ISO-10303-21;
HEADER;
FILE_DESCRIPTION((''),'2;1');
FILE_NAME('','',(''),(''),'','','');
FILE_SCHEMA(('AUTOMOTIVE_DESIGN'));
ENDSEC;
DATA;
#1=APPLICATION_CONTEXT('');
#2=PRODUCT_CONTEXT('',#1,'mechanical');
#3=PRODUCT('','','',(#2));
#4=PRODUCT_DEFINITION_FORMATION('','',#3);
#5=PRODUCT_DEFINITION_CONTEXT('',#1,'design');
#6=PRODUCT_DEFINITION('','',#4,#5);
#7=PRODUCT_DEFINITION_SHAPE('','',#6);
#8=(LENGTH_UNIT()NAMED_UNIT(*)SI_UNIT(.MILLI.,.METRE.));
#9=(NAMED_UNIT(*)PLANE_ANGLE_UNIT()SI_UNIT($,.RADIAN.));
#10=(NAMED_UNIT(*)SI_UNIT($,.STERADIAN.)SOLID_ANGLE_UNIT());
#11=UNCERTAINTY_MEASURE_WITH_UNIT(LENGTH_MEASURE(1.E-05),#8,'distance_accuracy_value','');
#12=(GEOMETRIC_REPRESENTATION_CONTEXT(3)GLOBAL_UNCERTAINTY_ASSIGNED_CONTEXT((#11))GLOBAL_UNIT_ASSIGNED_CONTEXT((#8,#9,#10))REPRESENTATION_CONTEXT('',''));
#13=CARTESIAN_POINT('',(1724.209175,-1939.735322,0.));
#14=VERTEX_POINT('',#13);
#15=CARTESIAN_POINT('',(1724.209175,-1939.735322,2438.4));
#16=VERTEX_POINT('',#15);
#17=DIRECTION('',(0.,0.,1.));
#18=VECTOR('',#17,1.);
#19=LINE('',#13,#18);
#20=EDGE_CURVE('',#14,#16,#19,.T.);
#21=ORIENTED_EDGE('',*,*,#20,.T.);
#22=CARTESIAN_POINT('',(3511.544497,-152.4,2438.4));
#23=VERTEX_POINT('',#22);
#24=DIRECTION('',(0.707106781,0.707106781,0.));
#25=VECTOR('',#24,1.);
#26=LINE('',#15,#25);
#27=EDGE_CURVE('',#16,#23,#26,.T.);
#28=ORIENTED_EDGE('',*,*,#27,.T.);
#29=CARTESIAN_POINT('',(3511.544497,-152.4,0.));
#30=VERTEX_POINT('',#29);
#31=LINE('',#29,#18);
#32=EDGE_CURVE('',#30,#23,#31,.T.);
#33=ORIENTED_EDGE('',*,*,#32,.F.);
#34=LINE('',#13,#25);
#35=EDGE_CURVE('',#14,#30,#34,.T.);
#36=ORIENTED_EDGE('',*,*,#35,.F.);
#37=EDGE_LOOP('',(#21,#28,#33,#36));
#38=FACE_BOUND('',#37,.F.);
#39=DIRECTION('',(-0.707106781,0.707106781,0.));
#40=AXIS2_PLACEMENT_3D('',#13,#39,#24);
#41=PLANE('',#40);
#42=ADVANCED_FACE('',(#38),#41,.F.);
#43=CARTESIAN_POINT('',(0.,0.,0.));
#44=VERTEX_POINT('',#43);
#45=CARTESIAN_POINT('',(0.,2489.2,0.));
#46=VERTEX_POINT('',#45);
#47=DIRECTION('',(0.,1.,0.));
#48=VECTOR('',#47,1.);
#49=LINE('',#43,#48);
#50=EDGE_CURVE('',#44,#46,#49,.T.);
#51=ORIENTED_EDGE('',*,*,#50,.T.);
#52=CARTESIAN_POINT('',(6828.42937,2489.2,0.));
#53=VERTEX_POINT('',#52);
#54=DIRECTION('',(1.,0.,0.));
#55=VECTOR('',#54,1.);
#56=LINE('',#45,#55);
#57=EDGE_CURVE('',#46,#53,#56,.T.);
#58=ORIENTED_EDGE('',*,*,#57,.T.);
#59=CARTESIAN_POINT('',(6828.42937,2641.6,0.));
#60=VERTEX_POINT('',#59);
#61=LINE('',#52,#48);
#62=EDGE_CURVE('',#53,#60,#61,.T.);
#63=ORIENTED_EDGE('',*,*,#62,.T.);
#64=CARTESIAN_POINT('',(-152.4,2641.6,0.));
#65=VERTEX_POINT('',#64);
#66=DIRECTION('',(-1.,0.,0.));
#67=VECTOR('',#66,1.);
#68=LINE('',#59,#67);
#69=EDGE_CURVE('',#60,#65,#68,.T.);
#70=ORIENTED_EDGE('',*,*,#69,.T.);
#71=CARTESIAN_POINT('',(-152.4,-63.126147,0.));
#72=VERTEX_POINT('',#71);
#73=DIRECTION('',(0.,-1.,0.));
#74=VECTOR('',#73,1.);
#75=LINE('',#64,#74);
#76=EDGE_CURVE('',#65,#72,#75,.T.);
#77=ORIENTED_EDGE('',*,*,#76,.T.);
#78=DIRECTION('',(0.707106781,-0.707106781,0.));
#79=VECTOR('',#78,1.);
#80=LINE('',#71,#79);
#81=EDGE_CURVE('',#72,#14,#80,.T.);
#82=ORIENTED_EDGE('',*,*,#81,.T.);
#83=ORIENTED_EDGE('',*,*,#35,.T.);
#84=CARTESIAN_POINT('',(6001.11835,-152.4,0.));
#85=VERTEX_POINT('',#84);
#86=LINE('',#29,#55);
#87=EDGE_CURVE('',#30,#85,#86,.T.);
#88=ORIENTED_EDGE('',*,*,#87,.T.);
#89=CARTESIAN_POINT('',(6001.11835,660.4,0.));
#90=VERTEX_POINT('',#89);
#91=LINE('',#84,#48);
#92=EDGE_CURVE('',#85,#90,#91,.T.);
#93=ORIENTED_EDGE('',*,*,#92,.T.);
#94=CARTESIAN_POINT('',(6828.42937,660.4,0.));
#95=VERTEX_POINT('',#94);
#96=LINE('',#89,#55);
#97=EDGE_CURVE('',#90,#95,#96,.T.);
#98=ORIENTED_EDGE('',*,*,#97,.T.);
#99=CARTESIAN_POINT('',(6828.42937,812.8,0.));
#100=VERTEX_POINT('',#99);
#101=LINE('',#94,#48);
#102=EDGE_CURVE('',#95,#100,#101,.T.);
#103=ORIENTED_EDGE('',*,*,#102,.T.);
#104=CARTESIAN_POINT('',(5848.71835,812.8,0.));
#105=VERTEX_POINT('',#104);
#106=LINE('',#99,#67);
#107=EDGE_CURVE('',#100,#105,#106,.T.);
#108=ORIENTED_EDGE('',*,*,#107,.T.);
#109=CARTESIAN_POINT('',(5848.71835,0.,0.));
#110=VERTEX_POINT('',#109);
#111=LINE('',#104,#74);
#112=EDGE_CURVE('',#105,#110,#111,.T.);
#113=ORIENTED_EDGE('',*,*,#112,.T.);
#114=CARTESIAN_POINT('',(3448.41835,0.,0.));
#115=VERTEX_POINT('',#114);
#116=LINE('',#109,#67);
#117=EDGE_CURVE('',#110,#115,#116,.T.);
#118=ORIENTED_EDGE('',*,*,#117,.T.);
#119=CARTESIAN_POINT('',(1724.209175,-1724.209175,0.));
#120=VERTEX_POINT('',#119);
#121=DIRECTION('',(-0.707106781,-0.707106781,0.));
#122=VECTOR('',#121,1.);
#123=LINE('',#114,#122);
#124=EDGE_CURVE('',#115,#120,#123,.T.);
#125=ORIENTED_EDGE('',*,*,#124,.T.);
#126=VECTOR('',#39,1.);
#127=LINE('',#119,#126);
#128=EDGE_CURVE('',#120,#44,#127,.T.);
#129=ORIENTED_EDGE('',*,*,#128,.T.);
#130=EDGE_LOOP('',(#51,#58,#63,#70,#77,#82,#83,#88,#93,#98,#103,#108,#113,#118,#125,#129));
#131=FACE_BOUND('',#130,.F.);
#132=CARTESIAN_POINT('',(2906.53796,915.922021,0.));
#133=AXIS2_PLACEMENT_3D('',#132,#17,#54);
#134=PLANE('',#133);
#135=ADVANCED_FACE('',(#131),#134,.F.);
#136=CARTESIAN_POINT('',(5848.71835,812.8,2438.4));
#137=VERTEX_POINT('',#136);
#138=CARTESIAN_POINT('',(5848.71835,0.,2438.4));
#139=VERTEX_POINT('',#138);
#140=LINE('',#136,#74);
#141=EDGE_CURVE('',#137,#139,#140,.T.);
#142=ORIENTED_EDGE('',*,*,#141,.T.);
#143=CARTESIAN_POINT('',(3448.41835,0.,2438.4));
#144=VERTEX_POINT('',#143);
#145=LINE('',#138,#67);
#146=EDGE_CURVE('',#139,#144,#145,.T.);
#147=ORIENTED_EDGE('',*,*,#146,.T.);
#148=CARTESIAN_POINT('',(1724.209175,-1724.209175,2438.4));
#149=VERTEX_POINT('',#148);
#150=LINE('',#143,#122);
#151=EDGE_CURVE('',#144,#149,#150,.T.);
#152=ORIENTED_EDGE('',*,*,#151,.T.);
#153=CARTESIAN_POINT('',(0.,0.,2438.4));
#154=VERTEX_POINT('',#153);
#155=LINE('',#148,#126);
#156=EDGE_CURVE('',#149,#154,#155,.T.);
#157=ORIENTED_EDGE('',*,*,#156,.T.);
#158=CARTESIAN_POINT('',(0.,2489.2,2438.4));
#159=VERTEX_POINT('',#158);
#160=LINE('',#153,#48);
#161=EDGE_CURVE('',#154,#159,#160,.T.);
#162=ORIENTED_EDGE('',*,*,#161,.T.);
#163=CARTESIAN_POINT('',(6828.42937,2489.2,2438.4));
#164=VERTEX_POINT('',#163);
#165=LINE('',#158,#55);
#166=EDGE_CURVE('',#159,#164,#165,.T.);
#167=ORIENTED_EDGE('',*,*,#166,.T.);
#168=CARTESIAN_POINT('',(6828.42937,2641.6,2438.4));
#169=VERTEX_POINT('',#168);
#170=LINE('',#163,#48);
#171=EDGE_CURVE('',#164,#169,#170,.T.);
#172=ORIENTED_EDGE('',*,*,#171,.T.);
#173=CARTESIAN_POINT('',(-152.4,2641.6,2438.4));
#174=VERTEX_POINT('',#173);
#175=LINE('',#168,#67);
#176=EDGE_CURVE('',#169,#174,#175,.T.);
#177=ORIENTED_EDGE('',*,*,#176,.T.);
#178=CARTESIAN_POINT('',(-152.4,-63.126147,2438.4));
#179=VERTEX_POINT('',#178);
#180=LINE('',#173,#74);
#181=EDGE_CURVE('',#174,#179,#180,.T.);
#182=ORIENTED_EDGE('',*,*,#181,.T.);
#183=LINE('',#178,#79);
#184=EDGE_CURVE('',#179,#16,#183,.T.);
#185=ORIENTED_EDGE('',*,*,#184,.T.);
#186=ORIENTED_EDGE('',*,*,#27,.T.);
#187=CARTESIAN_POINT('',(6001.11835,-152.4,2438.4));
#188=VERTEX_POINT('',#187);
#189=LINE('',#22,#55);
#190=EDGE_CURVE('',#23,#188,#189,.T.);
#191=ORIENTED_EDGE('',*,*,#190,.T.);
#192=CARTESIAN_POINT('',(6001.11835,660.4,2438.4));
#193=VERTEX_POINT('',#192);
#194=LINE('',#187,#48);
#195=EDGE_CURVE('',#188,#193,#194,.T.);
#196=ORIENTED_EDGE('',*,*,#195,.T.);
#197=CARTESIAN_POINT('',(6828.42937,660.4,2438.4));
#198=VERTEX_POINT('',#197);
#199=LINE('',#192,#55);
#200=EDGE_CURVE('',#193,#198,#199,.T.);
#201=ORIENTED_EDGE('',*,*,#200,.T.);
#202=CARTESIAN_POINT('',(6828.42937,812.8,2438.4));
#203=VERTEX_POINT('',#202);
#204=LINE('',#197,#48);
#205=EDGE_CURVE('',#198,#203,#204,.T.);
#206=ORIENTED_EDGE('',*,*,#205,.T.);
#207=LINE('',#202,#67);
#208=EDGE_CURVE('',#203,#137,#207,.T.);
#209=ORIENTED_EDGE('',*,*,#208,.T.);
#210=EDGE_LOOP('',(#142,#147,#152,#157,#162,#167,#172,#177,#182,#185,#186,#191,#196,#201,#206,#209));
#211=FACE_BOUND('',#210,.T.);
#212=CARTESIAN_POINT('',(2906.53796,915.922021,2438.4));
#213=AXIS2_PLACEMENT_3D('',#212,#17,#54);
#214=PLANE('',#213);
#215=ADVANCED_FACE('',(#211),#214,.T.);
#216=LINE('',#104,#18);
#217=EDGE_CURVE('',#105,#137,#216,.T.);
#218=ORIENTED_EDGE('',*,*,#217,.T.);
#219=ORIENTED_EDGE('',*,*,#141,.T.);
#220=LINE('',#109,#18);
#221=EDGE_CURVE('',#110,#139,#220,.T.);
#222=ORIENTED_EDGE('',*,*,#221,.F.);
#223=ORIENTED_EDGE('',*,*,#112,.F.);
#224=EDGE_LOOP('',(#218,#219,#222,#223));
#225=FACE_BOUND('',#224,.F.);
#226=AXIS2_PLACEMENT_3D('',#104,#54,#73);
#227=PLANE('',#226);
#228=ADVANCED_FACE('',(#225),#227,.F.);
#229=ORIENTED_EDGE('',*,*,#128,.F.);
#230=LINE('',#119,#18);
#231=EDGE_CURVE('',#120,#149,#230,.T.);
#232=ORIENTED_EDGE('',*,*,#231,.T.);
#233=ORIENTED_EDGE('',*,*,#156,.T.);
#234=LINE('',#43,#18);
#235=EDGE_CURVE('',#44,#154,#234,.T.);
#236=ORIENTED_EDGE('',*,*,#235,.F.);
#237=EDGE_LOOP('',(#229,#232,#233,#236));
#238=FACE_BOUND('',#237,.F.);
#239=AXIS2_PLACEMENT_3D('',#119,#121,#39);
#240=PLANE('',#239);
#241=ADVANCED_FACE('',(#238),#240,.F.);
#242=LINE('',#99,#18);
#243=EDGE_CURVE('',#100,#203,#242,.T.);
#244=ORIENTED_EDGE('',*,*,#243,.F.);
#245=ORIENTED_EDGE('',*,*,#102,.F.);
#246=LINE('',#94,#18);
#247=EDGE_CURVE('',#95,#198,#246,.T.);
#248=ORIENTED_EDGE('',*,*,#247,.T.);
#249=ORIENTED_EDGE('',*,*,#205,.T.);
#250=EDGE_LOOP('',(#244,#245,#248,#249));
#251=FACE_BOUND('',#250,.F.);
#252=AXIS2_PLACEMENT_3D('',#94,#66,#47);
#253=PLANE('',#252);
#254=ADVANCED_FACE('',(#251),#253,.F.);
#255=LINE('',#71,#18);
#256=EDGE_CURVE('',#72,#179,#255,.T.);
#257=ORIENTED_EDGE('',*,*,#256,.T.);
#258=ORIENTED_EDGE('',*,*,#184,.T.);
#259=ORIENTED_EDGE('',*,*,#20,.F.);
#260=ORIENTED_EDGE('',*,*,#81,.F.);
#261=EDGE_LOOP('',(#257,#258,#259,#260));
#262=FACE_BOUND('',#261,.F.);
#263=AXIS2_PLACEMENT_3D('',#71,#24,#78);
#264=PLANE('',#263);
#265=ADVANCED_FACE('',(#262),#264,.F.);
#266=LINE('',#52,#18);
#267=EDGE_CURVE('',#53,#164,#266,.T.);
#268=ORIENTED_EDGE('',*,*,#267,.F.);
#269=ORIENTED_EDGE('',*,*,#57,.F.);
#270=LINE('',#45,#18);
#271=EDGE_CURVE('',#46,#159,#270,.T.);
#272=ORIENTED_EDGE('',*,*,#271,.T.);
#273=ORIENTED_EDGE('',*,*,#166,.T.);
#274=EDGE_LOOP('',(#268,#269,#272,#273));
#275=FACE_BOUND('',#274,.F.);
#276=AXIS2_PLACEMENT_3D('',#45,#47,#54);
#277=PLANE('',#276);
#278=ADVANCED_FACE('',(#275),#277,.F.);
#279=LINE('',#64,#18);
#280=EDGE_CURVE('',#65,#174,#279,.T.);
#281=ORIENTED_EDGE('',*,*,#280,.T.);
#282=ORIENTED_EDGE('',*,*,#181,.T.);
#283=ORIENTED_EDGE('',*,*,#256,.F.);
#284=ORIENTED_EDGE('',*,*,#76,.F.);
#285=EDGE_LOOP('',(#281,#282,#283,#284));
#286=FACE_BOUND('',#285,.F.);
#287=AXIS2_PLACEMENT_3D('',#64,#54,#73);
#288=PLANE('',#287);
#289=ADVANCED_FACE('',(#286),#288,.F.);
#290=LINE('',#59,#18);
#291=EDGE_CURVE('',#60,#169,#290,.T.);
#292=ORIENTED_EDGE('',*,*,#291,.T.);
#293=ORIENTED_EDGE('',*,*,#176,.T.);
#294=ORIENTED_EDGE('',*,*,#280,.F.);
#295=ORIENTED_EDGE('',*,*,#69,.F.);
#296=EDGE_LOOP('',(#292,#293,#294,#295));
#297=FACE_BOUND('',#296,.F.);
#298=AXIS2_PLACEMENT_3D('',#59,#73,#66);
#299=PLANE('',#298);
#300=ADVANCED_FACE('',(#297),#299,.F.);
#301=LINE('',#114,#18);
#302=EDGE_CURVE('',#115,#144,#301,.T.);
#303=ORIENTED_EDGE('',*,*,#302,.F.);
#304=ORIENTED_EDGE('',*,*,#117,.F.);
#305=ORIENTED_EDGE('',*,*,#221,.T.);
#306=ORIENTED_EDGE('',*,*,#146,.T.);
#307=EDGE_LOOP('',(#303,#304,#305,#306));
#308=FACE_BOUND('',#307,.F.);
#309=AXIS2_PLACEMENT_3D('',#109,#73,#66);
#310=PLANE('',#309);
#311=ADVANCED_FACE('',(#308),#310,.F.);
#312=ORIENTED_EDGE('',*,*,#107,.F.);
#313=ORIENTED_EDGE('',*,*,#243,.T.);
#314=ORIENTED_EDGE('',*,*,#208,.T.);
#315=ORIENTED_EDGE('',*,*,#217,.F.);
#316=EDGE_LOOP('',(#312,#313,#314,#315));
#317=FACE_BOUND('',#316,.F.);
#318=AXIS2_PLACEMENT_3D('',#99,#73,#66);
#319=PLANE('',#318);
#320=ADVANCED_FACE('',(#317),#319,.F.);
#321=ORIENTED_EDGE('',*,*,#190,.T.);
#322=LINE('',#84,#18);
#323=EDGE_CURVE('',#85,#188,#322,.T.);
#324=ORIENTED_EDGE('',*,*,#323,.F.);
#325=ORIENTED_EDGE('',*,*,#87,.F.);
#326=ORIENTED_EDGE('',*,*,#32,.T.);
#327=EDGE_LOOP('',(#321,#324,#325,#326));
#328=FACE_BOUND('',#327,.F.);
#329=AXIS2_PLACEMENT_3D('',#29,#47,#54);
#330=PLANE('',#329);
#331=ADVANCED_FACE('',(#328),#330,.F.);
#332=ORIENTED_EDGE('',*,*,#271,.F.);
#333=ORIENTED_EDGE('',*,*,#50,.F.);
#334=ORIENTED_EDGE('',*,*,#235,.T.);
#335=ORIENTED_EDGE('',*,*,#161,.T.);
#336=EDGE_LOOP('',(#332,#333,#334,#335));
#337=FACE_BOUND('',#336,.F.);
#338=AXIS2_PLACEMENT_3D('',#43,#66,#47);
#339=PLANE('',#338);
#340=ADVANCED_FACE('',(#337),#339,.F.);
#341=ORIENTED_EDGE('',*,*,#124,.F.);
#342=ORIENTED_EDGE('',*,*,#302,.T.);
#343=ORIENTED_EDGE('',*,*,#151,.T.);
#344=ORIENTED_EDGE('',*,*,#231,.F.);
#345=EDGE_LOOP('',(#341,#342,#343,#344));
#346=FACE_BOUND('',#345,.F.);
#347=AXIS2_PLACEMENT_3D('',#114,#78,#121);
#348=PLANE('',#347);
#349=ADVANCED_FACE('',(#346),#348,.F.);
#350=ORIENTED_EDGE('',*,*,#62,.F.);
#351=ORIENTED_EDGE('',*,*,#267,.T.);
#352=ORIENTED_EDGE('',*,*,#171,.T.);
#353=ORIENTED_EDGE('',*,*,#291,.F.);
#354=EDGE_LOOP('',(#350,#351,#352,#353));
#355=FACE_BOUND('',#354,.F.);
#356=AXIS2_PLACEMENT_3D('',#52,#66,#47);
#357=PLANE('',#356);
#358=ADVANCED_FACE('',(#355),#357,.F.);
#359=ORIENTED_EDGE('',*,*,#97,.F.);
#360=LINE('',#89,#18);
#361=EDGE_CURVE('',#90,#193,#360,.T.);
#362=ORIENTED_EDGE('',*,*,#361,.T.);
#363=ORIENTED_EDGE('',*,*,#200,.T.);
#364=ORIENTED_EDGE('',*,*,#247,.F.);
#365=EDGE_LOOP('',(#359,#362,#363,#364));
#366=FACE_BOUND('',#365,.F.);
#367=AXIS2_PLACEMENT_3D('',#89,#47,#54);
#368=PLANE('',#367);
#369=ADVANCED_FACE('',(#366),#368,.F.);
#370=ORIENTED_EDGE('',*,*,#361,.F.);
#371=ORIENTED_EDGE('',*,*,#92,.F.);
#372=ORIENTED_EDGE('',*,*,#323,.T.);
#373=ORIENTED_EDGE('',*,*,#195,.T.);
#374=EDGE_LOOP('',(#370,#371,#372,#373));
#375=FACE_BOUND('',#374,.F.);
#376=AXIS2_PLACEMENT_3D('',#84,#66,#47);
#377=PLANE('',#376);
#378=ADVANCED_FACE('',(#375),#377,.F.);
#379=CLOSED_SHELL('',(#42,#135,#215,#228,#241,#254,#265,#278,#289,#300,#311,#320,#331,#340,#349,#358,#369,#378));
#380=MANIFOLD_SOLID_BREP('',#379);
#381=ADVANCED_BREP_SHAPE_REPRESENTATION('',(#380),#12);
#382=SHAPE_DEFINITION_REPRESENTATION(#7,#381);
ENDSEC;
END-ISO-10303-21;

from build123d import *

# Parameters (mm, degrees)
F1_DEPTH = 2438.4


with BuildPart() as f1:
    # F0 (on Top) → F1 (new body)
    with BuildSketch(Plane.XY):
        Polygon((1724.2091752453, -1724.2091752453), (0, 0), (0, 2489.2), (6828.4293704906, 2489.2), (6828.4293704906, 2641.6), (-152.4, 2641.6), (-152.4, -63.1261469057), (1724.2091752453, -1939.7353221509), (3511.5444973962, -152.4), (6001.1183504906, -152.4), (6001.1183504906, 660.4), (6828.4293704906, 660.4), (6828.4293704906, 812.8), (5848.7183504906, 812.8), (5848.7183504906, 0), (3448.4183504906, 0), align=None)
    extrude(amount=F1_DEPTH)


solid = f1.part
